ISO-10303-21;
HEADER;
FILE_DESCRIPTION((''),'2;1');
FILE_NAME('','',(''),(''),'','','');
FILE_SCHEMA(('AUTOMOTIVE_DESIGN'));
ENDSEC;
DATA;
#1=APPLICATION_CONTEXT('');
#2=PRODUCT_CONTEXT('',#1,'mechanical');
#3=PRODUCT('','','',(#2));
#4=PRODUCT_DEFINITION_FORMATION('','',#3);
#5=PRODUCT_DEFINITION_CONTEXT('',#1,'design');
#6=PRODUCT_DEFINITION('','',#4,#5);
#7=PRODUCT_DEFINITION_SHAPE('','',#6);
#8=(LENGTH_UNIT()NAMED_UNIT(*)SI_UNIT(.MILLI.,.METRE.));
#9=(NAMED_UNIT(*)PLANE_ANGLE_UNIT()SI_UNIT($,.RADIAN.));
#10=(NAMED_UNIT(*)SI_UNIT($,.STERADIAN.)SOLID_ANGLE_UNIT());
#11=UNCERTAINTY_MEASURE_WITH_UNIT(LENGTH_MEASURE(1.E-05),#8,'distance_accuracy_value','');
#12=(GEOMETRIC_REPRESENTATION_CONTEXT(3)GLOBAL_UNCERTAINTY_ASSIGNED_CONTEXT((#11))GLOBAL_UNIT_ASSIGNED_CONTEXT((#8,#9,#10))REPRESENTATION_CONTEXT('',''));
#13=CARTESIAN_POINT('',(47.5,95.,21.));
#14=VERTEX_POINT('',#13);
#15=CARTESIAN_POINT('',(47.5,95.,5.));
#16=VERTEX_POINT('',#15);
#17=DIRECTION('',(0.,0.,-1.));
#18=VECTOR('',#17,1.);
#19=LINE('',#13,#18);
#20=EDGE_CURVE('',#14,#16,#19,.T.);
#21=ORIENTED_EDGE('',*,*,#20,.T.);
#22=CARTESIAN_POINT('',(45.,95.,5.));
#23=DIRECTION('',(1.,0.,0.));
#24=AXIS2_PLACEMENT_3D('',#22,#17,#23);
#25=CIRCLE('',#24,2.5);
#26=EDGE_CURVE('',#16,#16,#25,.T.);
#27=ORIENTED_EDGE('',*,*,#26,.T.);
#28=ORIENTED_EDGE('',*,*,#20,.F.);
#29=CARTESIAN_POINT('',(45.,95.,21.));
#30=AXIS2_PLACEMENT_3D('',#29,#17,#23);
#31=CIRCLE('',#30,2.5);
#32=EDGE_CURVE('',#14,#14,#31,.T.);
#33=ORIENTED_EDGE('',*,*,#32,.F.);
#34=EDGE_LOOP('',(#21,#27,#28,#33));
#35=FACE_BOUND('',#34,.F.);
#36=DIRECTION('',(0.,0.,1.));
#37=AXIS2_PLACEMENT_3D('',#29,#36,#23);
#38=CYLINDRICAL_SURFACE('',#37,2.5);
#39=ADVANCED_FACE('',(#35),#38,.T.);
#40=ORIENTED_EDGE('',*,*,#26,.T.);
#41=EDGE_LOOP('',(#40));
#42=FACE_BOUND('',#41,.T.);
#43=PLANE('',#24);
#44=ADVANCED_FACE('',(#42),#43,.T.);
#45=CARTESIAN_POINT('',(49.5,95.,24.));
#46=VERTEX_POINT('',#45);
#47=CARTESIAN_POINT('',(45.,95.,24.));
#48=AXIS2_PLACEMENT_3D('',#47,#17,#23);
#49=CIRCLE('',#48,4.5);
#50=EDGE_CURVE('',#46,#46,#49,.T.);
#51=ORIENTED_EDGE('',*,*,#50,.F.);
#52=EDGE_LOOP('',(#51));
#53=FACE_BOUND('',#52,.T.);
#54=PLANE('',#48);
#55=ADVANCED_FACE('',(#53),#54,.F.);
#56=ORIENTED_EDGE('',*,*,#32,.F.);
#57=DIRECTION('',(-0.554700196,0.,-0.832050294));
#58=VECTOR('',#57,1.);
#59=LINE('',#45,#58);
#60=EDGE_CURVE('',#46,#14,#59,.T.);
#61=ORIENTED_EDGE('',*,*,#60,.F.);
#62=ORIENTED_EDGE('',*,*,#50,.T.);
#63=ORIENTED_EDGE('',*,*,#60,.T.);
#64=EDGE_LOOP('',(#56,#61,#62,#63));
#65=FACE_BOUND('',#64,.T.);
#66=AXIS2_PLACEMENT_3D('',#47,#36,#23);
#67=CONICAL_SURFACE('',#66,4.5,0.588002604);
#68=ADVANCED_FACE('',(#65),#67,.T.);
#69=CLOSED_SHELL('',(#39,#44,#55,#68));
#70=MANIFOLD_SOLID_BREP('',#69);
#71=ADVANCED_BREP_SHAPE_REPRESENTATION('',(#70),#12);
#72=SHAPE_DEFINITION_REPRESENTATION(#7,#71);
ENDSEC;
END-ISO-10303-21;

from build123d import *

# Parameters (mm, degrees)
CYLINDER011_R                   = 2.5
CYLINDER011_DEPTH               = 16
FUSION001018017_PLACEMENT_ANGLE = 180
CLONE017_PLACEMENT_ANGLE        = 180


with BuildPart() as cone003:
    # Cone003 → Cone003 (revolve)
    with BuildSketch(Plane(origin=(0, 0, -3), x_dir=(1, 0, 0), z_dir=(0, -1, 0))):
        Polygon((0, 0), (4.5, 0), (2.5, 3), (0, 3), align=None)
    revolve(axis=Axis((0, 0, -3), (0, 0, 1)))


with BuildPart() as m5x16_senkkopf004:
    # Cylinder011 → Cylinder011 (new body)
    with BuildSketch(Plane.XY):
        Circle(CYLINDER011_R)
    extrude(amount=CYLINDER011_DEPTH)

    # Fusion001018017: union Cone003
    add(cone003.part)


with BuildPart() as m5x16_senkkopf004_1:
    # Fusion001018017 placement: moved
    add(m5x16_senkkopf004.part.moved(Location((45, 15, 21))).rotate(Axis((45, 15, 21), (0, 1, 0)), FUSION001018017_PLACEMENT_ANGLE))


with BuildPart() as m5x16_senkkopf004_2:
    # Clone017 placement: moved
    add(m5x16_senkkopf004_1.part.moved(Location((90, 110, 0))).rotate(Axis((90, 110, 0), (0, 0, 1)), CLONE017_PLACEMENT_ANGLE))


solid = m5x16_senkkopf004_2.part
